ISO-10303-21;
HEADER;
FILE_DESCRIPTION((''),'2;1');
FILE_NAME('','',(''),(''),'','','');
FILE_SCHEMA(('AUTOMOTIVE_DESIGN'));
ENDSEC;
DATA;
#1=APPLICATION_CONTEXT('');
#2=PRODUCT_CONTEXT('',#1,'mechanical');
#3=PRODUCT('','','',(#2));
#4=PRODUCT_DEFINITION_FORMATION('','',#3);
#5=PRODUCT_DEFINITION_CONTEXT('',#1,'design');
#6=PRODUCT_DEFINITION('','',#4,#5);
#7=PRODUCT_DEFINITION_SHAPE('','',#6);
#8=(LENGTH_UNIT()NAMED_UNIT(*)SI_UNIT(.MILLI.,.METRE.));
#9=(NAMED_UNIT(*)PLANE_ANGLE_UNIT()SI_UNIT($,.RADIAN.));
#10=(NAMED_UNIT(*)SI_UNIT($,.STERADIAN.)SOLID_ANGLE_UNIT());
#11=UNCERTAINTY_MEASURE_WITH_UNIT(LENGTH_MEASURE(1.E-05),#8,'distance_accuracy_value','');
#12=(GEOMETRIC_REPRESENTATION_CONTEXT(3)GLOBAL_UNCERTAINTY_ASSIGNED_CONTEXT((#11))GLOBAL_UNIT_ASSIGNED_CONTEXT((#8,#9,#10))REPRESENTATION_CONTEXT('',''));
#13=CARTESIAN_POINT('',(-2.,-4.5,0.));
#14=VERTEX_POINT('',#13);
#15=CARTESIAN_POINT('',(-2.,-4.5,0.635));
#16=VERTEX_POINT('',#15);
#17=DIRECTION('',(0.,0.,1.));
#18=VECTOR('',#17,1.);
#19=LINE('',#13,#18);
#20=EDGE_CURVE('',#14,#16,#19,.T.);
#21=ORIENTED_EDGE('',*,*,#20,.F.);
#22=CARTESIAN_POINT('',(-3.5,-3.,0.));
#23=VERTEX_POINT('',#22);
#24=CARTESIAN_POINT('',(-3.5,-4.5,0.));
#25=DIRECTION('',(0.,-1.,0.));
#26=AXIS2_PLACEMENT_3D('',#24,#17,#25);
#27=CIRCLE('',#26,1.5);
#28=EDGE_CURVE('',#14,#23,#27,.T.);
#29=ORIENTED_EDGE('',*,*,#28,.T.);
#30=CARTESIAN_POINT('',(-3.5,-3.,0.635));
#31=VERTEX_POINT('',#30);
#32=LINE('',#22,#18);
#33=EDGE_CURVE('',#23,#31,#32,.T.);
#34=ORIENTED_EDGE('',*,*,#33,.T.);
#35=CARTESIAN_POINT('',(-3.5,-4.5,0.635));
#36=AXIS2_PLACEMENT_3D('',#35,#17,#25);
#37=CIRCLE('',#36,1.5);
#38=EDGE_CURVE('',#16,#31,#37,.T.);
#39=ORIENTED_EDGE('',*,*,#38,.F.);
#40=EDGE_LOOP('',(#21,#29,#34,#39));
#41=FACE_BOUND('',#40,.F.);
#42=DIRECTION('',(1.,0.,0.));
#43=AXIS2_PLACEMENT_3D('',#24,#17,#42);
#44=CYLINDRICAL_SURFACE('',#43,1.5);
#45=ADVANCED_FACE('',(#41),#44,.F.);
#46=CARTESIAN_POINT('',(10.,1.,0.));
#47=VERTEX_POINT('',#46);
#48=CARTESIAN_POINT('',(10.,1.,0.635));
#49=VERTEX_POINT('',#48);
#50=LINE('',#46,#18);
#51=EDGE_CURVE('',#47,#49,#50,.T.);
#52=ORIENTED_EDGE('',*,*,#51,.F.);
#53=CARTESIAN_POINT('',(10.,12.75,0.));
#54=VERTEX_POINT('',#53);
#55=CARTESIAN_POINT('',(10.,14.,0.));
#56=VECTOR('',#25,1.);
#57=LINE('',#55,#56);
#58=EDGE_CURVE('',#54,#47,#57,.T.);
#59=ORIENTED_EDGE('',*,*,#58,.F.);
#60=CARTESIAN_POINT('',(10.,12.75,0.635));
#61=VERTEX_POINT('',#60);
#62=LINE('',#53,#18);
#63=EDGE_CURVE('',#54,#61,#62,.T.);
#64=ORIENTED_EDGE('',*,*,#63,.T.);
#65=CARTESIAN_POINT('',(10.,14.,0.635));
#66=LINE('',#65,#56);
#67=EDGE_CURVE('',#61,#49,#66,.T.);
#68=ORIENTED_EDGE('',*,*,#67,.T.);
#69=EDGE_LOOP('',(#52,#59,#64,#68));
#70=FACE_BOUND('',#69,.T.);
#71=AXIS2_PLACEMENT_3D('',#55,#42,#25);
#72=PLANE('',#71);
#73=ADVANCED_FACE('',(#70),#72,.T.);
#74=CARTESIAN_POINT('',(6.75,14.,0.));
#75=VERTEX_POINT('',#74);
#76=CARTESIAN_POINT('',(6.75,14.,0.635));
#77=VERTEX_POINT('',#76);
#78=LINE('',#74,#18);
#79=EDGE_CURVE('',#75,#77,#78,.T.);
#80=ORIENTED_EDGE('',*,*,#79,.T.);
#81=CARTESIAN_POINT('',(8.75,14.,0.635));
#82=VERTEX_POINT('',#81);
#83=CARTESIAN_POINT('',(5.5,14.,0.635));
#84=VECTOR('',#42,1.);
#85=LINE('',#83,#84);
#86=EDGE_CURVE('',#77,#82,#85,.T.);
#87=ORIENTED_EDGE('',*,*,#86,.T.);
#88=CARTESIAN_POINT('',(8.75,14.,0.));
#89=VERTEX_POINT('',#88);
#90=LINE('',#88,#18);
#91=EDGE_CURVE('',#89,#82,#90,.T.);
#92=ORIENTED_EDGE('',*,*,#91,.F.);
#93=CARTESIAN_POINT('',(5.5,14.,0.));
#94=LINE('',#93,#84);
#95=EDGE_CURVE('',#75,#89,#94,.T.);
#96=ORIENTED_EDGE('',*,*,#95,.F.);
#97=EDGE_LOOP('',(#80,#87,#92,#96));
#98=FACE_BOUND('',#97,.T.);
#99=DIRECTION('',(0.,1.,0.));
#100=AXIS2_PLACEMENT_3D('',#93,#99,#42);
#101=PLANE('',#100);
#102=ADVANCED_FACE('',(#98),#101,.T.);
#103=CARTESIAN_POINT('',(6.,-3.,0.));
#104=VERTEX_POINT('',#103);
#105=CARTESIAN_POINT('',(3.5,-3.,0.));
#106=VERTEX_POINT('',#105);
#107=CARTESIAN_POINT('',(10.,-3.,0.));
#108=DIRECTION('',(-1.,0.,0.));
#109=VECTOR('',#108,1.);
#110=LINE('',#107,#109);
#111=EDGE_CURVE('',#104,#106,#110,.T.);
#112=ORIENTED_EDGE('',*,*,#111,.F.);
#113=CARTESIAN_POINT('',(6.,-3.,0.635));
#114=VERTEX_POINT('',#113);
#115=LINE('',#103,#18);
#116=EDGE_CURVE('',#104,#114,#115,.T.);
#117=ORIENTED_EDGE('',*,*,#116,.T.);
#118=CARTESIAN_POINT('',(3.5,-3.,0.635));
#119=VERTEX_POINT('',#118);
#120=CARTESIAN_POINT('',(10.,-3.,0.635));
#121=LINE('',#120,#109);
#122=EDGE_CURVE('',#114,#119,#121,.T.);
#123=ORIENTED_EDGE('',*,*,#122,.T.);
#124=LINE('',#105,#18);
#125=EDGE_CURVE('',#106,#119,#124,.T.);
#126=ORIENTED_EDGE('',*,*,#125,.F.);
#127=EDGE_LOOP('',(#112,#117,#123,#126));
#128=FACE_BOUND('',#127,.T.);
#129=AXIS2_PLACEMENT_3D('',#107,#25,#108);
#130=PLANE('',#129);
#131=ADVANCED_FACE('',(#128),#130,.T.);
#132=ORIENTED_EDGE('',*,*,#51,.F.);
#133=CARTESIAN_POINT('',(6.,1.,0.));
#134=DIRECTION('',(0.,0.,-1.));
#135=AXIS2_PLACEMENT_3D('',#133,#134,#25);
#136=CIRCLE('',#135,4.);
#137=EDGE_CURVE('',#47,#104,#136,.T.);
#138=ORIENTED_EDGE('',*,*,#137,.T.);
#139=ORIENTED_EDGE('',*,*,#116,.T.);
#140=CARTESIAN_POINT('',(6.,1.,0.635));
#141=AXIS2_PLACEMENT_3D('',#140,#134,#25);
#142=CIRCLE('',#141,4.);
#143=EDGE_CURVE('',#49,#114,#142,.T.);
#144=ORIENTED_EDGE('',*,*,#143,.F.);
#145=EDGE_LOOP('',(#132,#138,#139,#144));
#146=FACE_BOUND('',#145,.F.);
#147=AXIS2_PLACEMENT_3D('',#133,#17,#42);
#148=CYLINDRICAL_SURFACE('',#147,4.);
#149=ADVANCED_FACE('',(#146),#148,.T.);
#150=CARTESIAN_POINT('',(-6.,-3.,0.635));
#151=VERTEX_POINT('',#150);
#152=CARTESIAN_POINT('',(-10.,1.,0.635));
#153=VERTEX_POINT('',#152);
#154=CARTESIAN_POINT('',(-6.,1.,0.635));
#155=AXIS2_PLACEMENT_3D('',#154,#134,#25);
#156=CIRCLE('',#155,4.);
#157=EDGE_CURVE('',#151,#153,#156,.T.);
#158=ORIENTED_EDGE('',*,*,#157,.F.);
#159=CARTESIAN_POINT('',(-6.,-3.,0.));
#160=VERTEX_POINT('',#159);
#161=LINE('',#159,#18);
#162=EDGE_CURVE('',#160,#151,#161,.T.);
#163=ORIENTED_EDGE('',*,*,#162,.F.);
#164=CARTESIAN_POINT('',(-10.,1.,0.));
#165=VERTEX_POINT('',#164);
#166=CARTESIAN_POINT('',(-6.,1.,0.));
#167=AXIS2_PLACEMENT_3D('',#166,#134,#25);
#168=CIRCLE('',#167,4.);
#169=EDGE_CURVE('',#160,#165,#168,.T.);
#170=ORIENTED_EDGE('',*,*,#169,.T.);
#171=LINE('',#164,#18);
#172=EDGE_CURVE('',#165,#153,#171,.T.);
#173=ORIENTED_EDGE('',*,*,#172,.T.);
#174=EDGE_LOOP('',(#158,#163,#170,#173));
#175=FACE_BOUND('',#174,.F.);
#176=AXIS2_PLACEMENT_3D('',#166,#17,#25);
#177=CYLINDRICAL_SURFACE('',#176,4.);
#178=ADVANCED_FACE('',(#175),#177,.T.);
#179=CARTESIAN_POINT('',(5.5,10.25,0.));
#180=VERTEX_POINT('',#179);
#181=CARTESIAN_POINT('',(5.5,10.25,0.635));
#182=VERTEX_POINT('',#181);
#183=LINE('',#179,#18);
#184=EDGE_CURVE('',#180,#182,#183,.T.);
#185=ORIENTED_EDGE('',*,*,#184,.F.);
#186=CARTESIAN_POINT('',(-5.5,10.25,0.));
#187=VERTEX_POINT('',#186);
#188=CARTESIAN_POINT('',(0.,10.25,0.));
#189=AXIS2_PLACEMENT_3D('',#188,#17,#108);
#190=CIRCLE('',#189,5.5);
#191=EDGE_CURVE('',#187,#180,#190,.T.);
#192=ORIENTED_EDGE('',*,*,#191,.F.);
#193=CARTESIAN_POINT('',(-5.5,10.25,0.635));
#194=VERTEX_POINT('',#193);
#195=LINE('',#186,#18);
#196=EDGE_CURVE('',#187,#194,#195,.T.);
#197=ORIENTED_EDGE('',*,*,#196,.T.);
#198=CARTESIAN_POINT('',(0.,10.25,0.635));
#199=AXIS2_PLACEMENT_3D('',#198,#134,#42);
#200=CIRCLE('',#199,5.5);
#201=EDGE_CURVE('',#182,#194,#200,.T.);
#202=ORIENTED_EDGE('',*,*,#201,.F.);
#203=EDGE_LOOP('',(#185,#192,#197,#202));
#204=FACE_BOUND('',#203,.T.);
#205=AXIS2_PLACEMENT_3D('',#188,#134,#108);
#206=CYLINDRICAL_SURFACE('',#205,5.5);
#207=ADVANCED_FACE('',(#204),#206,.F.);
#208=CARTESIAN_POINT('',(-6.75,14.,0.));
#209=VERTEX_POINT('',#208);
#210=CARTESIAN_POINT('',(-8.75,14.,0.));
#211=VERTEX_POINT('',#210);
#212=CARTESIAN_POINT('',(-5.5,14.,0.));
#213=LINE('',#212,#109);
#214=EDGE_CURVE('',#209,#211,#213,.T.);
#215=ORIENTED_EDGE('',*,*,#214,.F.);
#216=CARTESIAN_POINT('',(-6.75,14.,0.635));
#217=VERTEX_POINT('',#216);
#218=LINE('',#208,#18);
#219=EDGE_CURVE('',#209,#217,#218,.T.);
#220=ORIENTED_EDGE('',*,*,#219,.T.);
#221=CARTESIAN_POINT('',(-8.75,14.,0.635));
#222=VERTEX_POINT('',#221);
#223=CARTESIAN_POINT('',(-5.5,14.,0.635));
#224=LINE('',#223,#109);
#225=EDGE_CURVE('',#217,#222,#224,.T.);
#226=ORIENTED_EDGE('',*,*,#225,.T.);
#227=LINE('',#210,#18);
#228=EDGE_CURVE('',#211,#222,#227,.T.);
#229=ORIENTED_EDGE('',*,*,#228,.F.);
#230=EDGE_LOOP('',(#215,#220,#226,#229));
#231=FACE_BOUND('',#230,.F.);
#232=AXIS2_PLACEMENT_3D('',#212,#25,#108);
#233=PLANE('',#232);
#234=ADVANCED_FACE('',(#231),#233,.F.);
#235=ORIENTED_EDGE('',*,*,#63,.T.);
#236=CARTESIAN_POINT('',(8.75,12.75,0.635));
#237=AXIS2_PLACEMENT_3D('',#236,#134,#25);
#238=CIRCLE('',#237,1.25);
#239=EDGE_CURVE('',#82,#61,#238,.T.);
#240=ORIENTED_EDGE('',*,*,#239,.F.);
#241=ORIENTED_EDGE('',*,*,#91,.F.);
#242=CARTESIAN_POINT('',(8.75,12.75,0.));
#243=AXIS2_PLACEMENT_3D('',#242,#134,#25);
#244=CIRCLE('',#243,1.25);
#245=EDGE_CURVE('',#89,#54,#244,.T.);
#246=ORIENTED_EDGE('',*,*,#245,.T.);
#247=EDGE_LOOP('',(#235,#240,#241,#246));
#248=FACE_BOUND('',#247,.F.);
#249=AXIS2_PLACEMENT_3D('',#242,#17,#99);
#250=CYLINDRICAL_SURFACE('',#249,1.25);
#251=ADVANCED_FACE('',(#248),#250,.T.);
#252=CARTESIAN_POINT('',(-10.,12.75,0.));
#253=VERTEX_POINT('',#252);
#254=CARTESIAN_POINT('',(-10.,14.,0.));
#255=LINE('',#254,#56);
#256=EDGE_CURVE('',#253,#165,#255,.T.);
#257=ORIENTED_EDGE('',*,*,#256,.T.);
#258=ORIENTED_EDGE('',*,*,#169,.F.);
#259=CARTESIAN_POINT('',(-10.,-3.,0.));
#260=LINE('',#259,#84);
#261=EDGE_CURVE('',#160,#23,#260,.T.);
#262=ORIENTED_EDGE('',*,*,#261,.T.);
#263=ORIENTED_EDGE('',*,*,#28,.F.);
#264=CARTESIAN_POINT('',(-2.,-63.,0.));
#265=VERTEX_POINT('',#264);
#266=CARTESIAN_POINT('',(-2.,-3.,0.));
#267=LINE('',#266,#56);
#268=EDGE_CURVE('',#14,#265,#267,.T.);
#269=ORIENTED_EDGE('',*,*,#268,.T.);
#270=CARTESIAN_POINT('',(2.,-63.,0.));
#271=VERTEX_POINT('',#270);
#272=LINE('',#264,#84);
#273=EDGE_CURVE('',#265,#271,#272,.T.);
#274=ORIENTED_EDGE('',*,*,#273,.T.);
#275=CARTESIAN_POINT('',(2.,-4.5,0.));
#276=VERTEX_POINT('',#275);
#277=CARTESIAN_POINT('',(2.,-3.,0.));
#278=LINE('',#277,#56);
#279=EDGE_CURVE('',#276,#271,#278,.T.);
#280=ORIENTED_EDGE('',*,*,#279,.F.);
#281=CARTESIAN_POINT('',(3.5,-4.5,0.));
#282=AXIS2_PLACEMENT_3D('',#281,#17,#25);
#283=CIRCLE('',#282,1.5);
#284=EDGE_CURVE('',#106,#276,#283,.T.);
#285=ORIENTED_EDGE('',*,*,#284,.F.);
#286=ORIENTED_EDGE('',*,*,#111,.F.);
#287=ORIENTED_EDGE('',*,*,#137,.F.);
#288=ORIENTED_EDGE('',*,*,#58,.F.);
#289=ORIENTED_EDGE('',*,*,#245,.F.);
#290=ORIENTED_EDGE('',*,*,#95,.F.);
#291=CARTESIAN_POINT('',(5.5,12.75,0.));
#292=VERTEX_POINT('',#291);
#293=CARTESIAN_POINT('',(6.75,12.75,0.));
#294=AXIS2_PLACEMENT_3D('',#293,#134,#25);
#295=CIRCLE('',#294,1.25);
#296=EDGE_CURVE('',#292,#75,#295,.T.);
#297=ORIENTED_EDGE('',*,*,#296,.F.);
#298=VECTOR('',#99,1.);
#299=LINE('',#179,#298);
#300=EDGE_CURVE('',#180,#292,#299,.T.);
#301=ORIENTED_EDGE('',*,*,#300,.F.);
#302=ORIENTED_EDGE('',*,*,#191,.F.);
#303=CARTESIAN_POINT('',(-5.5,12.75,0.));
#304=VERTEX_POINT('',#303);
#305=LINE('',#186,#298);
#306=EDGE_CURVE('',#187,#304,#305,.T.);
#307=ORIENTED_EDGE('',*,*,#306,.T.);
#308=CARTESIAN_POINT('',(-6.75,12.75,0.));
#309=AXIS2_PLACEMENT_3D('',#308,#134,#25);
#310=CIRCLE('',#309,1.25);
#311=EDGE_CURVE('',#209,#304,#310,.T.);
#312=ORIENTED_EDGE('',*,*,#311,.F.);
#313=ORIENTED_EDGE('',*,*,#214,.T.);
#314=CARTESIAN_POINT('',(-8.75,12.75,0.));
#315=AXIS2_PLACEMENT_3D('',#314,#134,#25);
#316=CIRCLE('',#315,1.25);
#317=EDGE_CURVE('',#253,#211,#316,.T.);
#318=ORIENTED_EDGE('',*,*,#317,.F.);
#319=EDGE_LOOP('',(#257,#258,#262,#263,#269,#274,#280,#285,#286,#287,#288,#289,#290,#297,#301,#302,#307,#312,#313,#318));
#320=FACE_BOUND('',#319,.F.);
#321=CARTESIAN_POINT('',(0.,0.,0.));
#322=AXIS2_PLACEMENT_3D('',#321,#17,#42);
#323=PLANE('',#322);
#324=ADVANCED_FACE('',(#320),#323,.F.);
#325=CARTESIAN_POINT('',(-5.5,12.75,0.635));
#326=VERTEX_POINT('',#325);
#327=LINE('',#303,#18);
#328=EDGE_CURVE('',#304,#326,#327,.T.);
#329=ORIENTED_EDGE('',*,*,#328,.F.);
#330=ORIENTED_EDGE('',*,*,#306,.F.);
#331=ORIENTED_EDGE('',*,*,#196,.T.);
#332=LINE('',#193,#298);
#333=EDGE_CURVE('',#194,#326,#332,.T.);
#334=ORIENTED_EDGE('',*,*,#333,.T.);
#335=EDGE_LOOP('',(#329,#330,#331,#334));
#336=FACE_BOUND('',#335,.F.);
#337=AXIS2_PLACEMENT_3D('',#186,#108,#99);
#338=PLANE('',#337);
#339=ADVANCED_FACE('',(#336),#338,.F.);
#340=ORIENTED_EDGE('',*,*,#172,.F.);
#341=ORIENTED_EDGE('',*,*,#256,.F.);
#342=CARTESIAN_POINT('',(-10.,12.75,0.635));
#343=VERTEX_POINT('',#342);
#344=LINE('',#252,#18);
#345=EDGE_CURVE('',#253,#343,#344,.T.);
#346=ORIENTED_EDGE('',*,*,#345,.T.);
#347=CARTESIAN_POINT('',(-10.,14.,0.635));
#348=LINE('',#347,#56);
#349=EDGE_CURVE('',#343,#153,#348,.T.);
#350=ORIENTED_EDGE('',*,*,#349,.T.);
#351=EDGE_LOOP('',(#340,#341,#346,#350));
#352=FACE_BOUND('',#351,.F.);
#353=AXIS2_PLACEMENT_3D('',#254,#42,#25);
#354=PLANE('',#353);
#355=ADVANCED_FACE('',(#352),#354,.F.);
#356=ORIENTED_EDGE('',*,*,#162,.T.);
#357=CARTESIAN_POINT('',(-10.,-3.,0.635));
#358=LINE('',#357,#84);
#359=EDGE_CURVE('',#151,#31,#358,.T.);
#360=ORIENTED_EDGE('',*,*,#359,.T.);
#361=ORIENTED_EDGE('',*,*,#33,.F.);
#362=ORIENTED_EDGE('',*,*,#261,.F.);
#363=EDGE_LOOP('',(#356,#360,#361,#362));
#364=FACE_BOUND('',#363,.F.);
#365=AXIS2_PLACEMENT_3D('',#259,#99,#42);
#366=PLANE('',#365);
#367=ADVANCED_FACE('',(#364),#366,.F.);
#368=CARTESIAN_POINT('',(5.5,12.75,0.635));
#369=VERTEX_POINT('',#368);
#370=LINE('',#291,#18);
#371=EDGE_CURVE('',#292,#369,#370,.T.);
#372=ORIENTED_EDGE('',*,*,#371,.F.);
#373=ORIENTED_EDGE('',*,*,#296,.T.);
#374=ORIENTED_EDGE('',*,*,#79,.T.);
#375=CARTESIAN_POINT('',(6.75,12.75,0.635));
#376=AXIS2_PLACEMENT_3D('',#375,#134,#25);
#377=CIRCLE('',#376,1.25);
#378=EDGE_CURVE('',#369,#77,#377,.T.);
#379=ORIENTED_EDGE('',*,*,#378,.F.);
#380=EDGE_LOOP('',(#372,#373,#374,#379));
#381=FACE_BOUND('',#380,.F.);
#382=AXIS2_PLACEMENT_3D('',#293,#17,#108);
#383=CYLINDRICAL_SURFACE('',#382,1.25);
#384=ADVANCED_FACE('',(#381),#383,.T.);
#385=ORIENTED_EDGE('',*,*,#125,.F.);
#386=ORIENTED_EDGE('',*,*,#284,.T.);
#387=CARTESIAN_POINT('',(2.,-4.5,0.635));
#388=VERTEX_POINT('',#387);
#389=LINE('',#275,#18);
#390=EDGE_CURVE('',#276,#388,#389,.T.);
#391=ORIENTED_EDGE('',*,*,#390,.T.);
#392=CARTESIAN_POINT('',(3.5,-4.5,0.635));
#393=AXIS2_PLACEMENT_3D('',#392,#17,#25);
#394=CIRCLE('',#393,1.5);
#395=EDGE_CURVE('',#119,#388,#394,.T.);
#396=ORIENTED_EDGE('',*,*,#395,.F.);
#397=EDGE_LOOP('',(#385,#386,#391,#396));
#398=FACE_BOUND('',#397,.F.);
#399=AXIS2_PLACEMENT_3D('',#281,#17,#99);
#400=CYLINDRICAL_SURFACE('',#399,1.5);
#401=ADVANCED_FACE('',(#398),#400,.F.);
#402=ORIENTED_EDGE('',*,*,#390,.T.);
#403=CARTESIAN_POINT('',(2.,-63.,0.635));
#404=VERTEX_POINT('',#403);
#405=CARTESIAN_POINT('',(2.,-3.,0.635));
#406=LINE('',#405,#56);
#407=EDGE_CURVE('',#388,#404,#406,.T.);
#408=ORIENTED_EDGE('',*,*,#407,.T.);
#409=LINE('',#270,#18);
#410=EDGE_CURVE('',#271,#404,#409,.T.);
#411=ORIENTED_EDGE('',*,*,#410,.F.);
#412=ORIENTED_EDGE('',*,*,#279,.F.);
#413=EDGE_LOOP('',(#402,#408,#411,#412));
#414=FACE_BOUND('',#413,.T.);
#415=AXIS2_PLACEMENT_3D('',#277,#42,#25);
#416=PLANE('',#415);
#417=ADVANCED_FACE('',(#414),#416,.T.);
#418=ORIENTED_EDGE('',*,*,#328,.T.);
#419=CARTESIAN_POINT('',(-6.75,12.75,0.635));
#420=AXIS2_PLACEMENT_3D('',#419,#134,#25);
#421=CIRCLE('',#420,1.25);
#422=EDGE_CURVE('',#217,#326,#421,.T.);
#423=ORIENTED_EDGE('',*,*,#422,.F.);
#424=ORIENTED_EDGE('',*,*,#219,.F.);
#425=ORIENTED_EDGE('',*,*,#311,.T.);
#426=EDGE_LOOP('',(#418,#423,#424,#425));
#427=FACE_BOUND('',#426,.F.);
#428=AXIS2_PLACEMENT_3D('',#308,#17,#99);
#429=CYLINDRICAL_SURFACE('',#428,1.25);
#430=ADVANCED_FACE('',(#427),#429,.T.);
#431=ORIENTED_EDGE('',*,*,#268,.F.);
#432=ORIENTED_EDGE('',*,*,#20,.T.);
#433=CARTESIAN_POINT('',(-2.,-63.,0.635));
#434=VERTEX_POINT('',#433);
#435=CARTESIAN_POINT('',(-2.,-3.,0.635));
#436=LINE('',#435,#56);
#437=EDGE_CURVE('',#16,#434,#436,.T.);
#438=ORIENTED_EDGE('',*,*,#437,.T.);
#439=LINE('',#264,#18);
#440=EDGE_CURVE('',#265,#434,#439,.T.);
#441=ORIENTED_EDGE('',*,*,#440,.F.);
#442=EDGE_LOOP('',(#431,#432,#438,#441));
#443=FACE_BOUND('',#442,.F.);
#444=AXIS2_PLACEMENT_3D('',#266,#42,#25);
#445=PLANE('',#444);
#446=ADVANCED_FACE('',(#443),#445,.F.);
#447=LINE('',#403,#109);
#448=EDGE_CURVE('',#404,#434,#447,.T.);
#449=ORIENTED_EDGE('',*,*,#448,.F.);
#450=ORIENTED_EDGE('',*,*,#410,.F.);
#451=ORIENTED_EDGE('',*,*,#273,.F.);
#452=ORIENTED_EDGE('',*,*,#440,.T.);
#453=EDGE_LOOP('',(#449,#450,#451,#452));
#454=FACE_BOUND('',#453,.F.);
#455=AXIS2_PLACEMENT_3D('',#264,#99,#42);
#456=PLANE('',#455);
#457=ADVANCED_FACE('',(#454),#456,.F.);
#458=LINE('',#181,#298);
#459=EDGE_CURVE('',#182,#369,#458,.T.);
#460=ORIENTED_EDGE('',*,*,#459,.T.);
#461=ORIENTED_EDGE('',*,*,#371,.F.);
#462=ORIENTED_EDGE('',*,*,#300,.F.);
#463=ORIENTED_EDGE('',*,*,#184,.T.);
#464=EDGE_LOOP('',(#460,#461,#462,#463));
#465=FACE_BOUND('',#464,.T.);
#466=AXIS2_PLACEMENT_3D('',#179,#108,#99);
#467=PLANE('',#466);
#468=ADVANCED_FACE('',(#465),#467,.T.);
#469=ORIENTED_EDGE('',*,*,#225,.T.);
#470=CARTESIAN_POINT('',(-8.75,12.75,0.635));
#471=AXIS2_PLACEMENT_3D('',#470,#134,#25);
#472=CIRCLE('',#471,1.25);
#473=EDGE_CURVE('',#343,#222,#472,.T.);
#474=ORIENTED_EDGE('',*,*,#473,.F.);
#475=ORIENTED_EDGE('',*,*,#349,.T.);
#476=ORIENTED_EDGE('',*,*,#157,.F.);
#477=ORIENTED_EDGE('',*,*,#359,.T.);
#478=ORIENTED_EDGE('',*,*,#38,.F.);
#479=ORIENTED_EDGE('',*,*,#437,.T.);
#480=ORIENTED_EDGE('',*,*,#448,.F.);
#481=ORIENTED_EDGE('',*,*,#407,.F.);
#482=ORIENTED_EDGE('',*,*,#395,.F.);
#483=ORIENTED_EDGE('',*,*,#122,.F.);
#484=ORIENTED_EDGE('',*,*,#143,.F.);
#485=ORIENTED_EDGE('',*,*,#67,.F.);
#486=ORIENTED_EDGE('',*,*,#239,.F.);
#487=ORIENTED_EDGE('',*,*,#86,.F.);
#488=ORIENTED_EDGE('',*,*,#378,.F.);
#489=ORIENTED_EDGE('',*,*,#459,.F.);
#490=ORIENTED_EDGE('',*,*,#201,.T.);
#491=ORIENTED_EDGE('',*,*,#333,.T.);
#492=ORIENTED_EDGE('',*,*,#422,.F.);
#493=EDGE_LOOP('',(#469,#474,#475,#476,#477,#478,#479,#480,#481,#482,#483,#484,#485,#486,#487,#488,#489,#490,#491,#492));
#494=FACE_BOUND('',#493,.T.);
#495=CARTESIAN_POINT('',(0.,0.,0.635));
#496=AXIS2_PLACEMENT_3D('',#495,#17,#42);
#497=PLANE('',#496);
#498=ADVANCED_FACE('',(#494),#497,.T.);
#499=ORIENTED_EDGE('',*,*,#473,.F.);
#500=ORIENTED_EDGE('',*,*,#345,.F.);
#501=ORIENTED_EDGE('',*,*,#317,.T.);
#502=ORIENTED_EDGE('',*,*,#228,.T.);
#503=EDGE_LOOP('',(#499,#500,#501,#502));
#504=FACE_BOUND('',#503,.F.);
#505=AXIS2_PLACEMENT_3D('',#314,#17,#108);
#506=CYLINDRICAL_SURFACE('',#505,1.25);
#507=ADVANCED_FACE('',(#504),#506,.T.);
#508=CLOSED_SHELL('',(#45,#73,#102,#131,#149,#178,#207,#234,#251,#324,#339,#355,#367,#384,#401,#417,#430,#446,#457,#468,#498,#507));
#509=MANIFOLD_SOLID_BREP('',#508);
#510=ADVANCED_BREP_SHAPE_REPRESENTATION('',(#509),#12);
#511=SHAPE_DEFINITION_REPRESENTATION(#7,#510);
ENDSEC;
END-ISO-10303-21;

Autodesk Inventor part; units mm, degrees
ref_plane "YZ Plane" through (0, 0, 0) normal (1, 0, 0) x (0, 1, 0)
ref_plane "XZ Plane" through (0, 0, 0) normal (0, 1, 0) x (-1, 0, 0)
ref_plane "XY Plane" through (0, 0, 0) normal (0, 0, 1) x (1, 0, 0)
sketch "Sketch1" plane through (0, 0, 0) normal (0, 0, 1) x (1, 0, 0)
  line L0 (0, -78.4) -> (0, 29.4) projected
  line L1 (5.5, 10.25) -> (5.5, 14)
  line L2 (5.5, 14) -> (10, 14)
  line L3 (10, 14) -> (10, -3)
  line L4 (10, -3) -> (2, -3)
  line L5 (2, -3) -> (2, -63)
  line L6 (2, -63) -> (0, -63)
  line L7 (-5.5, 10.25) -> (-5.5, 14)
  line L8 (-5.5, 14) -> (-10, 14)
  line L9 (-10, 14) -> (-10, -3)
  line L10 (-10, -3) -> (-2, -3)
  line L11 (-2, -3) -> (-2, -63)
  line L12 (-2, -63) -> (0, -63)
  arc A0 (-5.5, 10.25) -> (5.5, 10.25) centre (0, 10.25) ccw
  point P0 (0, 0)
  point P1 (5.5, 3.5)
  point P2 (-5.5, 3.5)
  point P3 (5.5, -3)
  point P4 (0, 14)
  dimension "d0" = 4.5
  dimension "d1" = 20
  dimension "d2" = 4
  dimension "d7" = 60
  dimension "d13" = 11
  dimension "d14" = 17
  dimension "d16" = 3.75
extrude "Extrusion1" add sketch "Sketch1" along normal blind 0.635
fillet "Fillet1" radius 1.25 4 edges at (-10, 14, 0.3175) (10, 14, 0.3175) (-5.5, 14, 0.3175) (5.5, 14, 0.3175)
fillet "Fillet3" radius 4 2 edges at (-10, -3, 0.3175) (10, -3, 0.3175)
fillet "Fillet4" radius 1.5 2 edges at (-2, -3, 0.3175) (2, -3, 0.3175)
properties part number "ASAP_Handle_Fixture_New2_1"
